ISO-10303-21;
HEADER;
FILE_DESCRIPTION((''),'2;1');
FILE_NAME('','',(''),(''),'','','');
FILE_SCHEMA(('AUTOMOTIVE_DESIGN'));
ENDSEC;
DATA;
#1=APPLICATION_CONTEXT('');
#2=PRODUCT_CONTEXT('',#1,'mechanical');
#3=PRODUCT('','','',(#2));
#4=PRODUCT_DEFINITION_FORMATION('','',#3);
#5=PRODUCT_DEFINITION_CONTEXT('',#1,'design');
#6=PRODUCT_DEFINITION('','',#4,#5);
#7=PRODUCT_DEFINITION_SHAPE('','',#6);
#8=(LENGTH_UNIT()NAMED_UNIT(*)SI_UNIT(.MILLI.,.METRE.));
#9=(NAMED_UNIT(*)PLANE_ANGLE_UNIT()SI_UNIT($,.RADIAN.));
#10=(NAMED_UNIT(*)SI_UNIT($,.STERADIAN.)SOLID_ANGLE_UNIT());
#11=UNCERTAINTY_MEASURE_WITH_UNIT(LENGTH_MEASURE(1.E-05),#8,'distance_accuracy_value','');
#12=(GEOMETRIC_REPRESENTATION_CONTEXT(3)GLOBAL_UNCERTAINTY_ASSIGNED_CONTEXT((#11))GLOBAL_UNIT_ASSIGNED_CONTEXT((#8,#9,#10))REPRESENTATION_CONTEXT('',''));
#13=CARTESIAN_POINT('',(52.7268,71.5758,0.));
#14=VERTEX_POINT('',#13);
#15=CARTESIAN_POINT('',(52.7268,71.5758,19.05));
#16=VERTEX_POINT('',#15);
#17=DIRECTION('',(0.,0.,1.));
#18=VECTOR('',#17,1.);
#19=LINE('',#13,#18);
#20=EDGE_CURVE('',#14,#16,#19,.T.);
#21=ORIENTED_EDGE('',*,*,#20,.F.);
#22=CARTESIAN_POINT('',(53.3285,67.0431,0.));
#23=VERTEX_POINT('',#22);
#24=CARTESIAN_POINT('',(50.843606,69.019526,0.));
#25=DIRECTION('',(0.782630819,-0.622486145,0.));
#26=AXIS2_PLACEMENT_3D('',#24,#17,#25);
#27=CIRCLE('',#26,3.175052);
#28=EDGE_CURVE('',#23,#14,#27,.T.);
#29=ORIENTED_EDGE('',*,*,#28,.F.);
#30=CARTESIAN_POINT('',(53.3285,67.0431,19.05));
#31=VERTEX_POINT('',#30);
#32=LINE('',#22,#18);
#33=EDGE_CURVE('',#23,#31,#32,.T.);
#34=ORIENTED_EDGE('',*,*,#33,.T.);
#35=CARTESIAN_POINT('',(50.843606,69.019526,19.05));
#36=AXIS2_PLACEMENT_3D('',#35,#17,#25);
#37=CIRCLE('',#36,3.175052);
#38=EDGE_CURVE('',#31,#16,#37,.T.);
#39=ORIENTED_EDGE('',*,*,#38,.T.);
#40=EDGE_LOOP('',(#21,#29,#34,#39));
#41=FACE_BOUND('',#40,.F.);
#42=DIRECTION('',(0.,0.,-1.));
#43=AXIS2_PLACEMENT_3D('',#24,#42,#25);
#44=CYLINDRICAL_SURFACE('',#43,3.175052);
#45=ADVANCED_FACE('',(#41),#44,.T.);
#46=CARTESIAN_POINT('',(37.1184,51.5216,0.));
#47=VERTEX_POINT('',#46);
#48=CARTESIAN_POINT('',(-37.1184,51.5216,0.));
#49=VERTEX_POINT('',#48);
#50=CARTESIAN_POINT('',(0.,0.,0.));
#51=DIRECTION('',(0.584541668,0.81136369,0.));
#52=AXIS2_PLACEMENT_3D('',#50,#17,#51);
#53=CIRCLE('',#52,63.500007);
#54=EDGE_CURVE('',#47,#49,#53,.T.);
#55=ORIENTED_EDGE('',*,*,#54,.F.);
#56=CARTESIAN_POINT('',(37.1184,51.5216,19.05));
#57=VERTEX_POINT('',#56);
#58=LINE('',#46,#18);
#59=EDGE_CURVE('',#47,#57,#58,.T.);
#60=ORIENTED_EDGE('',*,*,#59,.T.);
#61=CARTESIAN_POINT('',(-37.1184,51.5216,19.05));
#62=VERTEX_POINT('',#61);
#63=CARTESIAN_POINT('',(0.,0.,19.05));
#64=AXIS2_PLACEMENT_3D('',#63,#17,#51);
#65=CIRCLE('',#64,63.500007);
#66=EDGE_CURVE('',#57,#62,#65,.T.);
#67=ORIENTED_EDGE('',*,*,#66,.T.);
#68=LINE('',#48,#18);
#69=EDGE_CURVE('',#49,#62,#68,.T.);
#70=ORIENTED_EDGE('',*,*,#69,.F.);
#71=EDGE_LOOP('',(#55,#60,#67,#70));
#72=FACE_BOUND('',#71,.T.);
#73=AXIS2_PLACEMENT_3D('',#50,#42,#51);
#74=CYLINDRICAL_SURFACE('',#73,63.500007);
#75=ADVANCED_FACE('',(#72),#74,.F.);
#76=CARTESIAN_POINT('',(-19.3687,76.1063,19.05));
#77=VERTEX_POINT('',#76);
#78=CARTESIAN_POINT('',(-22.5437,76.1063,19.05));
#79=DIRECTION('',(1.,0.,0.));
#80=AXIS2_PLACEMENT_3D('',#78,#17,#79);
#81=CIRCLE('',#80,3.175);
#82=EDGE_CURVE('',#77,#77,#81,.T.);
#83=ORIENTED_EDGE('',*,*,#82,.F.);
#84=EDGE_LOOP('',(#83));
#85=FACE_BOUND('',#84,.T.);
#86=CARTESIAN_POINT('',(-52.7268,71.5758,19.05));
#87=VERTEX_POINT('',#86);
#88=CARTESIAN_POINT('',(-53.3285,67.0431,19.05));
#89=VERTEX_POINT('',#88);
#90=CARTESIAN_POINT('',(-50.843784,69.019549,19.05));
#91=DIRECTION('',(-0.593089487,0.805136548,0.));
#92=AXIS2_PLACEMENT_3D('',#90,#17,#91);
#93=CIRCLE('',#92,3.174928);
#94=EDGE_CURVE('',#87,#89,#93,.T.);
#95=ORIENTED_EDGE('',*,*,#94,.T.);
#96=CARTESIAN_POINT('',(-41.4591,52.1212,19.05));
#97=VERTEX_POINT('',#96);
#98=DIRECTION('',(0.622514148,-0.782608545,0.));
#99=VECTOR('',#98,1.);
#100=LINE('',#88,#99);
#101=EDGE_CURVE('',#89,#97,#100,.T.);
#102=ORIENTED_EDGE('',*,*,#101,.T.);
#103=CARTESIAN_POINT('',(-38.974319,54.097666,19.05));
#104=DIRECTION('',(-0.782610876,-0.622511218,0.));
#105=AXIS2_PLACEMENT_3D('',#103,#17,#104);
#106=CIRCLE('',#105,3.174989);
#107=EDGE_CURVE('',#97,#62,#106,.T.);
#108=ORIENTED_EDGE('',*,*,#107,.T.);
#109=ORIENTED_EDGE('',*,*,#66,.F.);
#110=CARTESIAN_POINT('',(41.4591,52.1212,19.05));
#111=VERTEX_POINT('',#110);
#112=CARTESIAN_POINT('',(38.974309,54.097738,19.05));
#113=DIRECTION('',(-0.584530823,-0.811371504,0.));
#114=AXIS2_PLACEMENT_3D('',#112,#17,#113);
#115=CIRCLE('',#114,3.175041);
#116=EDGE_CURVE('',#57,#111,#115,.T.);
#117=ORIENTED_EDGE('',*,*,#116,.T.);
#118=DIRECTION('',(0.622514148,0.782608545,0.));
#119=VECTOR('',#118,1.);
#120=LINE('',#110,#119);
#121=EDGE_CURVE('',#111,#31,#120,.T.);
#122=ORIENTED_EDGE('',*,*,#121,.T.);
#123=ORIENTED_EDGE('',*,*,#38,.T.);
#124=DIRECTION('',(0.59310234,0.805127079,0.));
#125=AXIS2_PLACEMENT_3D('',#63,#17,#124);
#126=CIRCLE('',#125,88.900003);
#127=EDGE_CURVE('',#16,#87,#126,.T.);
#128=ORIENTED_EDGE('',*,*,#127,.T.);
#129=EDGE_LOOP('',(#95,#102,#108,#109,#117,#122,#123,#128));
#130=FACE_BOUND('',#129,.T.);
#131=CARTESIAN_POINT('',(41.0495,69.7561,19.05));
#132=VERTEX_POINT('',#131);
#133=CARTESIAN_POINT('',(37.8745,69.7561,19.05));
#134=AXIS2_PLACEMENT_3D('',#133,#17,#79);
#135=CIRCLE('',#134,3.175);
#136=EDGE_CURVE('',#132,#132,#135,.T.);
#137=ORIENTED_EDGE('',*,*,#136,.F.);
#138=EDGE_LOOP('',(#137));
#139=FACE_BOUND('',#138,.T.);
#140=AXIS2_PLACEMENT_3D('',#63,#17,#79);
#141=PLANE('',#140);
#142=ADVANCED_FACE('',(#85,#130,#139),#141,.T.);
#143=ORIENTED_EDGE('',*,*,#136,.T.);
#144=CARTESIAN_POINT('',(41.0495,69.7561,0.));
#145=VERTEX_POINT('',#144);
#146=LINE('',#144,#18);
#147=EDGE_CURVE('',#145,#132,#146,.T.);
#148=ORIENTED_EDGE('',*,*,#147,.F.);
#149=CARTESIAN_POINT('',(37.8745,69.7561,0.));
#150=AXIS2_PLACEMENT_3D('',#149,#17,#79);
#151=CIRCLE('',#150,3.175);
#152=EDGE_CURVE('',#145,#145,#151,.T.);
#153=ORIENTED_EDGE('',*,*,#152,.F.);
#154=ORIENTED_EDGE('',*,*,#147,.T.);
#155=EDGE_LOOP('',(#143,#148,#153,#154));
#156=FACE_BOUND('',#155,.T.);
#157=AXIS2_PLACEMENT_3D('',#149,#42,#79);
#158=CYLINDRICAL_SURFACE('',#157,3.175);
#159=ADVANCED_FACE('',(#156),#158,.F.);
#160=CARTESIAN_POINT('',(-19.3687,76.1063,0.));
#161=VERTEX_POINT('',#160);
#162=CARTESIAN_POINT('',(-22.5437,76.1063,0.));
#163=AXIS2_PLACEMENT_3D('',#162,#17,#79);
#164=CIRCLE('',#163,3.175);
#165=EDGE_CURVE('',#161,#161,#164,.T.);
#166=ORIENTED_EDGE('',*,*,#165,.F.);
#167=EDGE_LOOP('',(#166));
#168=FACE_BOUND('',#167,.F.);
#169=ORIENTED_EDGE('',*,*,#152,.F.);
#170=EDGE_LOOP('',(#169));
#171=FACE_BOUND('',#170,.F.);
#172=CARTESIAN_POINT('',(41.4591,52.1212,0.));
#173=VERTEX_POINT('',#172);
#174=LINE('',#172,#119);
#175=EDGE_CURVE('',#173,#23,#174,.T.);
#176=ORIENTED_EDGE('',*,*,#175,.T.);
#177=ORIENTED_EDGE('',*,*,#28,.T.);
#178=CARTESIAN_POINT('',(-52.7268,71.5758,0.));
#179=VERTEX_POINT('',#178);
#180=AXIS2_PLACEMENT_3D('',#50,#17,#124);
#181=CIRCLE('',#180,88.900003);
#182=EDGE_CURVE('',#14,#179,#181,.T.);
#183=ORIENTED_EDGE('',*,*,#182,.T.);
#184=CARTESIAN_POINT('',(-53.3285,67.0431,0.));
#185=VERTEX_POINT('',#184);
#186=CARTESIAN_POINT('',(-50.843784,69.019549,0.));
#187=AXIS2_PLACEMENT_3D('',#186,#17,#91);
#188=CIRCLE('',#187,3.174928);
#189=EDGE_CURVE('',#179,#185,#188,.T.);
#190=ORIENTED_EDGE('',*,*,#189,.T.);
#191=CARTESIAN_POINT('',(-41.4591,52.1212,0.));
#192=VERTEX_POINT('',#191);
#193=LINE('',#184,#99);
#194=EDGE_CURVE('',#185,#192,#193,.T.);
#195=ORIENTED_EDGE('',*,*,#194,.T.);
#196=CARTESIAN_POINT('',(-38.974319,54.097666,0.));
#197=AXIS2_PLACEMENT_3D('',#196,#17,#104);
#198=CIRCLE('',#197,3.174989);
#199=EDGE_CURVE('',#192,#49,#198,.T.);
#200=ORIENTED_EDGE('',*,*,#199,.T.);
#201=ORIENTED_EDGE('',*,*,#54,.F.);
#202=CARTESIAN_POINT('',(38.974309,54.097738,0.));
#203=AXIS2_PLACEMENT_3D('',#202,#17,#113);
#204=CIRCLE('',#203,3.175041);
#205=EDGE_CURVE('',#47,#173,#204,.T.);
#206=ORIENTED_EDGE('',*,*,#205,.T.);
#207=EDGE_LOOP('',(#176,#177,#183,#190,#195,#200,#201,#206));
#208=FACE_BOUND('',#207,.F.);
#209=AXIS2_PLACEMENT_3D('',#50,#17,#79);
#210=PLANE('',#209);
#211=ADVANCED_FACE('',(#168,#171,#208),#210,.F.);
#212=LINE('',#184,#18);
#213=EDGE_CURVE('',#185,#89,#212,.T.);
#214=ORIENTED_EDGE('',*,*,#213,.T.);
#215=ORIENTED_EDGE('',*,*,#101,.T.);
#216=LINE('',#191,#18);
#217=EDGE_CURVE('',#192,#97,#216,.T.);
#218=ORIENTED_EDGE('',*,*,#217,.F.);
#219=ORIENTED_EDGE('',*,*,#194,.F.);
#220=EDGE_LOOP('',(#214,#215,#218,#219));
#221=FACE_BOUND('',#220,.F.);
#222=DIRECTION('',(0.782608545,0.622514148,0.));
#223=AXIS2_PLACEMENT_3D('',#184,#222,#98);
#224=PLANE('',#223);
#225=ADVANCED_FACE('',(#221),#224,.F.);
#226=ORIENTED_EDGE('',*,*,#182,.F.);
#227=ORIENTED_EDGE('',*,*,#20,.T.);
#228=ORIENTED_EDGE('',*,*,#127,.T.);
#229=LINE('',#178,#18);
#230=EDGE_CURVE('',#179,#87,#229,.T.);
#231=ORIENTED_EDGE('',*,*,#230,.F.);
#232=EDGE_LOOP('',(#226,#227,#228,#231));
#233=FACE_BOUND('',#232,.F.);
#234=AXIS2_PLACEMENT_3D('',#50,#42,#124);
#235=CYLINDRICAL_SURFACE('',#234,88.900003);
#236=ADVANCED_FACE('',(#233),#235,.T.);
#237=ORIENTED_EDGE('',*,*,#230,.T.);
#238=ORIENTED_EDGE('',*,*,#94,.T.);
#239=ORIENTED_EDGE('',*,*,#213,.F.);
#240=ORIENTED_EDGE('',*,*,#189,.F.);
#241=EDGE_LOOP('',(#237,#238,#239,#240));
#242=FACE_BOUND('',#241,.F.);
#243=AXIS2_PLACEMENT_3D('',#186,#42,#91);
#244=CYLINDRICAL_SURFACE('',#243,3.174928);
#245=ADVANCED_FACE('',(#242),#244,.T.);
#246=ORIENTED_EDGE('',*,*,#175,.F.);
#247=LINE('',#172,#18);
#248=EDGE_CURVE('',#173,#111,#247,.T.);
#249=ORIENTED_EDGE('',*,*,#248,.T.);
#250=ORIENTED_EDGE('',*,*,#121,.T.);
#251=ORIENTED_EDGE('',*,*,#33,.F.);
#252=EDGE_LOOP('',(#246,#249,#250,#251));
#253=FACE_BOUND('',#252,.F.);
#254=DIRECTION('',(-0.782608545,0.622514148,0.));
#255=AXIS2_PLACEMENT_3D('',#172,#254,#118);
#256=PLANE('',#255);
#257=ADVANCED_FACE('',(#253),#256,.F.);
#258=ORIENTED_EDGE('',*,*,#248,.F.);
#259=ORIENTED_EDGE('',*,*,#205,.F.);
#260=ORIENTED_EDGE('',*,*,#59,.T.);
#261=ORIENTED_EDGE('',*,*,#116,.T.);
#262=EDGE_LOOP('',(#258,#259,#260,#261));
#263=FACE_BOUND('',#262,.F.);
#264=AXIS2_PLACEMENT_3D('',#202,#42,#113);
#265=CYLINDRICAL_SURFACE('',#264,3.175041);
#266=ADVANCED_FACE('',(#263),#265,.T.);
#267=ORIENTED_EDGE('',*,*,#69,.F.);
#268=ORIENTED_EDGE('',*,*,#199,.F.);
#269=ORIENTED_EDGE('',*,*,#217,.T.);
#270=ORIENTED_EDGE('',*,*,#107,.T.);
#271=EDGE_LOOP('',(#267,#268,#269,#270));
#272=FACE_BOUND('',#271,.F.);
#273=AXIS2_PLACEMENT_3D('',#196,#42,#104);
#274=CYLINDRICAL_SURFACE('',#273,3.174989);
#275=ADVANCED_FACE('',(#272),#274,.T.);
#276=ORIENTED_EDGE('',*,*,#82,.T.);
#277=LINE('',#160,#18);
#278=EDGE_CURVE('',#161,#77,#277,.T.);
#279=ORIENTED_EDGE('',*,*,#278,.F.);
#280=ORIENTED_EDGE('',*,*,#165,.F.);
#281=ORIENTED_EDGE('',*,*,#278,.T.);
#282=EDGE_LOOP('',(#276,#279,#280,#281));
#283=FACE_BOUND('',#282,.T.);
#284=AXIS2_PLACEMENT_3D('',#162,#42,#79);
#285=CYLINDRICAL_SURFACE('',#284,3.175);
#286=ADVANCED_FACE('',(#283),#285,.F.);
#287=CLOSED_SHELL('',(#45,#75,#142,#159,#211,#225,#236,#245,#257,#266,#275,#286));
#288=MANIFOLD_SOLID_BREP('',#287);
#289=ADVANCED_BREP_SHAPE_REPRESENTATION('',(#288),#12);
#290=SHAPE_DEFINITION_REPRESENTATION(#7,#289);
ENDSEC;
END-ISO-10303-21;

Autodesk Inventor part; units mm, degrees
ref_plane "YZ Plane" through (0, 0, 0) normal (1, 0, 0) x (0, 1, 0)
ref_plane "XZ Plane" through (0, 0, 0) normal (0, 1, 0) x (-1, 0, 0)
ref_plane "XY Plane" through (0, 0, 0) normal (0, 0, 1) x (1, 0, 0)
sketch "Sketch1" plane through (0, 0, 0) normal (0, 0, 1) x (1, 0, 0)
  arc A0 (37.1184, 51.5216) -> (-37.1184, 51.5216) centre (0, 0) ccw
  arc A1 (37.8745, 69.7561) -> (-22.5437, 76.1063) centre (0, 0) ccw construction
  arc A2 (52.7268, 71.5758) -> (-52.7268, 71.5758) centre (0, 0) ccw
  circle A3 centre (-22.5437, 76.1063) radius 3.175
  circle A4 centre (37.8745, 69.7561) radius 3.175
  line L0 (37.8745, 69.7561) -> (0, 0) construction
  line L1 (0, 0) -> (-22.5437, 76.1063) construction
  line L2 (0, 79.375) -> (0, 0) construction
  line L3 (-22.5437, 76.1063) -> (0, 79.375) construction
  line L4 (0, 79.375) -> (37.8745, 69.7561) construction
  line L5 (-53.3285, 67.0431) -> (-41.4591, 52.1212)
  line L6 (41.4591, 52.1212) -> (53.3285, 67.0431)
  line L7 (-39.5297, 49.6956) -> (0, 0) construction
  line L8 (0, 0) -> (39.5297, 49.6956) construction
  line L9 (-39.5297, 49.6956) -> (0, 63.5) construction
  line L10 (0, 63.5) -> (39.5297, 49.6956) construction
  arc A5 (-52.7268, 71.5758) -> (-53.3285, 67.0431) centre (-50.8437, 69.0195) ccw
  arc A6 (-41.4591, 52.1212) -> (-37.1184, 51.5216) centre (-38.9743, 54.0977) ccw
  arc A7 (37.1184, 51.5216) -> (41.4591, 52.1212) centre (38.9743, 54.0977) ccw
  arc A8 (53.3285, 67.0431) -> (52.7268, 71.5758) centre (50.8437, 69.0195) ccw
  point P0 (55.3416, 69.5739)
  point P1 (-55.3416, 69.5739)
  dimension "d0" = 79.375
  dimension "d1" = 88.9
  dimension "d2" = 45
  dimension "d5" = 3.175
  dimension "d8" = 6.35
  dimension "d9" = 63.5
  dimension "d10" = 22
  dimension "d11" = 10
extrude "Extrusion1" add sketch "Sketch1" along normal blind 19.05
properties part number "FlyWheel_Weight_Jan21" material "Aluminum-6061"
